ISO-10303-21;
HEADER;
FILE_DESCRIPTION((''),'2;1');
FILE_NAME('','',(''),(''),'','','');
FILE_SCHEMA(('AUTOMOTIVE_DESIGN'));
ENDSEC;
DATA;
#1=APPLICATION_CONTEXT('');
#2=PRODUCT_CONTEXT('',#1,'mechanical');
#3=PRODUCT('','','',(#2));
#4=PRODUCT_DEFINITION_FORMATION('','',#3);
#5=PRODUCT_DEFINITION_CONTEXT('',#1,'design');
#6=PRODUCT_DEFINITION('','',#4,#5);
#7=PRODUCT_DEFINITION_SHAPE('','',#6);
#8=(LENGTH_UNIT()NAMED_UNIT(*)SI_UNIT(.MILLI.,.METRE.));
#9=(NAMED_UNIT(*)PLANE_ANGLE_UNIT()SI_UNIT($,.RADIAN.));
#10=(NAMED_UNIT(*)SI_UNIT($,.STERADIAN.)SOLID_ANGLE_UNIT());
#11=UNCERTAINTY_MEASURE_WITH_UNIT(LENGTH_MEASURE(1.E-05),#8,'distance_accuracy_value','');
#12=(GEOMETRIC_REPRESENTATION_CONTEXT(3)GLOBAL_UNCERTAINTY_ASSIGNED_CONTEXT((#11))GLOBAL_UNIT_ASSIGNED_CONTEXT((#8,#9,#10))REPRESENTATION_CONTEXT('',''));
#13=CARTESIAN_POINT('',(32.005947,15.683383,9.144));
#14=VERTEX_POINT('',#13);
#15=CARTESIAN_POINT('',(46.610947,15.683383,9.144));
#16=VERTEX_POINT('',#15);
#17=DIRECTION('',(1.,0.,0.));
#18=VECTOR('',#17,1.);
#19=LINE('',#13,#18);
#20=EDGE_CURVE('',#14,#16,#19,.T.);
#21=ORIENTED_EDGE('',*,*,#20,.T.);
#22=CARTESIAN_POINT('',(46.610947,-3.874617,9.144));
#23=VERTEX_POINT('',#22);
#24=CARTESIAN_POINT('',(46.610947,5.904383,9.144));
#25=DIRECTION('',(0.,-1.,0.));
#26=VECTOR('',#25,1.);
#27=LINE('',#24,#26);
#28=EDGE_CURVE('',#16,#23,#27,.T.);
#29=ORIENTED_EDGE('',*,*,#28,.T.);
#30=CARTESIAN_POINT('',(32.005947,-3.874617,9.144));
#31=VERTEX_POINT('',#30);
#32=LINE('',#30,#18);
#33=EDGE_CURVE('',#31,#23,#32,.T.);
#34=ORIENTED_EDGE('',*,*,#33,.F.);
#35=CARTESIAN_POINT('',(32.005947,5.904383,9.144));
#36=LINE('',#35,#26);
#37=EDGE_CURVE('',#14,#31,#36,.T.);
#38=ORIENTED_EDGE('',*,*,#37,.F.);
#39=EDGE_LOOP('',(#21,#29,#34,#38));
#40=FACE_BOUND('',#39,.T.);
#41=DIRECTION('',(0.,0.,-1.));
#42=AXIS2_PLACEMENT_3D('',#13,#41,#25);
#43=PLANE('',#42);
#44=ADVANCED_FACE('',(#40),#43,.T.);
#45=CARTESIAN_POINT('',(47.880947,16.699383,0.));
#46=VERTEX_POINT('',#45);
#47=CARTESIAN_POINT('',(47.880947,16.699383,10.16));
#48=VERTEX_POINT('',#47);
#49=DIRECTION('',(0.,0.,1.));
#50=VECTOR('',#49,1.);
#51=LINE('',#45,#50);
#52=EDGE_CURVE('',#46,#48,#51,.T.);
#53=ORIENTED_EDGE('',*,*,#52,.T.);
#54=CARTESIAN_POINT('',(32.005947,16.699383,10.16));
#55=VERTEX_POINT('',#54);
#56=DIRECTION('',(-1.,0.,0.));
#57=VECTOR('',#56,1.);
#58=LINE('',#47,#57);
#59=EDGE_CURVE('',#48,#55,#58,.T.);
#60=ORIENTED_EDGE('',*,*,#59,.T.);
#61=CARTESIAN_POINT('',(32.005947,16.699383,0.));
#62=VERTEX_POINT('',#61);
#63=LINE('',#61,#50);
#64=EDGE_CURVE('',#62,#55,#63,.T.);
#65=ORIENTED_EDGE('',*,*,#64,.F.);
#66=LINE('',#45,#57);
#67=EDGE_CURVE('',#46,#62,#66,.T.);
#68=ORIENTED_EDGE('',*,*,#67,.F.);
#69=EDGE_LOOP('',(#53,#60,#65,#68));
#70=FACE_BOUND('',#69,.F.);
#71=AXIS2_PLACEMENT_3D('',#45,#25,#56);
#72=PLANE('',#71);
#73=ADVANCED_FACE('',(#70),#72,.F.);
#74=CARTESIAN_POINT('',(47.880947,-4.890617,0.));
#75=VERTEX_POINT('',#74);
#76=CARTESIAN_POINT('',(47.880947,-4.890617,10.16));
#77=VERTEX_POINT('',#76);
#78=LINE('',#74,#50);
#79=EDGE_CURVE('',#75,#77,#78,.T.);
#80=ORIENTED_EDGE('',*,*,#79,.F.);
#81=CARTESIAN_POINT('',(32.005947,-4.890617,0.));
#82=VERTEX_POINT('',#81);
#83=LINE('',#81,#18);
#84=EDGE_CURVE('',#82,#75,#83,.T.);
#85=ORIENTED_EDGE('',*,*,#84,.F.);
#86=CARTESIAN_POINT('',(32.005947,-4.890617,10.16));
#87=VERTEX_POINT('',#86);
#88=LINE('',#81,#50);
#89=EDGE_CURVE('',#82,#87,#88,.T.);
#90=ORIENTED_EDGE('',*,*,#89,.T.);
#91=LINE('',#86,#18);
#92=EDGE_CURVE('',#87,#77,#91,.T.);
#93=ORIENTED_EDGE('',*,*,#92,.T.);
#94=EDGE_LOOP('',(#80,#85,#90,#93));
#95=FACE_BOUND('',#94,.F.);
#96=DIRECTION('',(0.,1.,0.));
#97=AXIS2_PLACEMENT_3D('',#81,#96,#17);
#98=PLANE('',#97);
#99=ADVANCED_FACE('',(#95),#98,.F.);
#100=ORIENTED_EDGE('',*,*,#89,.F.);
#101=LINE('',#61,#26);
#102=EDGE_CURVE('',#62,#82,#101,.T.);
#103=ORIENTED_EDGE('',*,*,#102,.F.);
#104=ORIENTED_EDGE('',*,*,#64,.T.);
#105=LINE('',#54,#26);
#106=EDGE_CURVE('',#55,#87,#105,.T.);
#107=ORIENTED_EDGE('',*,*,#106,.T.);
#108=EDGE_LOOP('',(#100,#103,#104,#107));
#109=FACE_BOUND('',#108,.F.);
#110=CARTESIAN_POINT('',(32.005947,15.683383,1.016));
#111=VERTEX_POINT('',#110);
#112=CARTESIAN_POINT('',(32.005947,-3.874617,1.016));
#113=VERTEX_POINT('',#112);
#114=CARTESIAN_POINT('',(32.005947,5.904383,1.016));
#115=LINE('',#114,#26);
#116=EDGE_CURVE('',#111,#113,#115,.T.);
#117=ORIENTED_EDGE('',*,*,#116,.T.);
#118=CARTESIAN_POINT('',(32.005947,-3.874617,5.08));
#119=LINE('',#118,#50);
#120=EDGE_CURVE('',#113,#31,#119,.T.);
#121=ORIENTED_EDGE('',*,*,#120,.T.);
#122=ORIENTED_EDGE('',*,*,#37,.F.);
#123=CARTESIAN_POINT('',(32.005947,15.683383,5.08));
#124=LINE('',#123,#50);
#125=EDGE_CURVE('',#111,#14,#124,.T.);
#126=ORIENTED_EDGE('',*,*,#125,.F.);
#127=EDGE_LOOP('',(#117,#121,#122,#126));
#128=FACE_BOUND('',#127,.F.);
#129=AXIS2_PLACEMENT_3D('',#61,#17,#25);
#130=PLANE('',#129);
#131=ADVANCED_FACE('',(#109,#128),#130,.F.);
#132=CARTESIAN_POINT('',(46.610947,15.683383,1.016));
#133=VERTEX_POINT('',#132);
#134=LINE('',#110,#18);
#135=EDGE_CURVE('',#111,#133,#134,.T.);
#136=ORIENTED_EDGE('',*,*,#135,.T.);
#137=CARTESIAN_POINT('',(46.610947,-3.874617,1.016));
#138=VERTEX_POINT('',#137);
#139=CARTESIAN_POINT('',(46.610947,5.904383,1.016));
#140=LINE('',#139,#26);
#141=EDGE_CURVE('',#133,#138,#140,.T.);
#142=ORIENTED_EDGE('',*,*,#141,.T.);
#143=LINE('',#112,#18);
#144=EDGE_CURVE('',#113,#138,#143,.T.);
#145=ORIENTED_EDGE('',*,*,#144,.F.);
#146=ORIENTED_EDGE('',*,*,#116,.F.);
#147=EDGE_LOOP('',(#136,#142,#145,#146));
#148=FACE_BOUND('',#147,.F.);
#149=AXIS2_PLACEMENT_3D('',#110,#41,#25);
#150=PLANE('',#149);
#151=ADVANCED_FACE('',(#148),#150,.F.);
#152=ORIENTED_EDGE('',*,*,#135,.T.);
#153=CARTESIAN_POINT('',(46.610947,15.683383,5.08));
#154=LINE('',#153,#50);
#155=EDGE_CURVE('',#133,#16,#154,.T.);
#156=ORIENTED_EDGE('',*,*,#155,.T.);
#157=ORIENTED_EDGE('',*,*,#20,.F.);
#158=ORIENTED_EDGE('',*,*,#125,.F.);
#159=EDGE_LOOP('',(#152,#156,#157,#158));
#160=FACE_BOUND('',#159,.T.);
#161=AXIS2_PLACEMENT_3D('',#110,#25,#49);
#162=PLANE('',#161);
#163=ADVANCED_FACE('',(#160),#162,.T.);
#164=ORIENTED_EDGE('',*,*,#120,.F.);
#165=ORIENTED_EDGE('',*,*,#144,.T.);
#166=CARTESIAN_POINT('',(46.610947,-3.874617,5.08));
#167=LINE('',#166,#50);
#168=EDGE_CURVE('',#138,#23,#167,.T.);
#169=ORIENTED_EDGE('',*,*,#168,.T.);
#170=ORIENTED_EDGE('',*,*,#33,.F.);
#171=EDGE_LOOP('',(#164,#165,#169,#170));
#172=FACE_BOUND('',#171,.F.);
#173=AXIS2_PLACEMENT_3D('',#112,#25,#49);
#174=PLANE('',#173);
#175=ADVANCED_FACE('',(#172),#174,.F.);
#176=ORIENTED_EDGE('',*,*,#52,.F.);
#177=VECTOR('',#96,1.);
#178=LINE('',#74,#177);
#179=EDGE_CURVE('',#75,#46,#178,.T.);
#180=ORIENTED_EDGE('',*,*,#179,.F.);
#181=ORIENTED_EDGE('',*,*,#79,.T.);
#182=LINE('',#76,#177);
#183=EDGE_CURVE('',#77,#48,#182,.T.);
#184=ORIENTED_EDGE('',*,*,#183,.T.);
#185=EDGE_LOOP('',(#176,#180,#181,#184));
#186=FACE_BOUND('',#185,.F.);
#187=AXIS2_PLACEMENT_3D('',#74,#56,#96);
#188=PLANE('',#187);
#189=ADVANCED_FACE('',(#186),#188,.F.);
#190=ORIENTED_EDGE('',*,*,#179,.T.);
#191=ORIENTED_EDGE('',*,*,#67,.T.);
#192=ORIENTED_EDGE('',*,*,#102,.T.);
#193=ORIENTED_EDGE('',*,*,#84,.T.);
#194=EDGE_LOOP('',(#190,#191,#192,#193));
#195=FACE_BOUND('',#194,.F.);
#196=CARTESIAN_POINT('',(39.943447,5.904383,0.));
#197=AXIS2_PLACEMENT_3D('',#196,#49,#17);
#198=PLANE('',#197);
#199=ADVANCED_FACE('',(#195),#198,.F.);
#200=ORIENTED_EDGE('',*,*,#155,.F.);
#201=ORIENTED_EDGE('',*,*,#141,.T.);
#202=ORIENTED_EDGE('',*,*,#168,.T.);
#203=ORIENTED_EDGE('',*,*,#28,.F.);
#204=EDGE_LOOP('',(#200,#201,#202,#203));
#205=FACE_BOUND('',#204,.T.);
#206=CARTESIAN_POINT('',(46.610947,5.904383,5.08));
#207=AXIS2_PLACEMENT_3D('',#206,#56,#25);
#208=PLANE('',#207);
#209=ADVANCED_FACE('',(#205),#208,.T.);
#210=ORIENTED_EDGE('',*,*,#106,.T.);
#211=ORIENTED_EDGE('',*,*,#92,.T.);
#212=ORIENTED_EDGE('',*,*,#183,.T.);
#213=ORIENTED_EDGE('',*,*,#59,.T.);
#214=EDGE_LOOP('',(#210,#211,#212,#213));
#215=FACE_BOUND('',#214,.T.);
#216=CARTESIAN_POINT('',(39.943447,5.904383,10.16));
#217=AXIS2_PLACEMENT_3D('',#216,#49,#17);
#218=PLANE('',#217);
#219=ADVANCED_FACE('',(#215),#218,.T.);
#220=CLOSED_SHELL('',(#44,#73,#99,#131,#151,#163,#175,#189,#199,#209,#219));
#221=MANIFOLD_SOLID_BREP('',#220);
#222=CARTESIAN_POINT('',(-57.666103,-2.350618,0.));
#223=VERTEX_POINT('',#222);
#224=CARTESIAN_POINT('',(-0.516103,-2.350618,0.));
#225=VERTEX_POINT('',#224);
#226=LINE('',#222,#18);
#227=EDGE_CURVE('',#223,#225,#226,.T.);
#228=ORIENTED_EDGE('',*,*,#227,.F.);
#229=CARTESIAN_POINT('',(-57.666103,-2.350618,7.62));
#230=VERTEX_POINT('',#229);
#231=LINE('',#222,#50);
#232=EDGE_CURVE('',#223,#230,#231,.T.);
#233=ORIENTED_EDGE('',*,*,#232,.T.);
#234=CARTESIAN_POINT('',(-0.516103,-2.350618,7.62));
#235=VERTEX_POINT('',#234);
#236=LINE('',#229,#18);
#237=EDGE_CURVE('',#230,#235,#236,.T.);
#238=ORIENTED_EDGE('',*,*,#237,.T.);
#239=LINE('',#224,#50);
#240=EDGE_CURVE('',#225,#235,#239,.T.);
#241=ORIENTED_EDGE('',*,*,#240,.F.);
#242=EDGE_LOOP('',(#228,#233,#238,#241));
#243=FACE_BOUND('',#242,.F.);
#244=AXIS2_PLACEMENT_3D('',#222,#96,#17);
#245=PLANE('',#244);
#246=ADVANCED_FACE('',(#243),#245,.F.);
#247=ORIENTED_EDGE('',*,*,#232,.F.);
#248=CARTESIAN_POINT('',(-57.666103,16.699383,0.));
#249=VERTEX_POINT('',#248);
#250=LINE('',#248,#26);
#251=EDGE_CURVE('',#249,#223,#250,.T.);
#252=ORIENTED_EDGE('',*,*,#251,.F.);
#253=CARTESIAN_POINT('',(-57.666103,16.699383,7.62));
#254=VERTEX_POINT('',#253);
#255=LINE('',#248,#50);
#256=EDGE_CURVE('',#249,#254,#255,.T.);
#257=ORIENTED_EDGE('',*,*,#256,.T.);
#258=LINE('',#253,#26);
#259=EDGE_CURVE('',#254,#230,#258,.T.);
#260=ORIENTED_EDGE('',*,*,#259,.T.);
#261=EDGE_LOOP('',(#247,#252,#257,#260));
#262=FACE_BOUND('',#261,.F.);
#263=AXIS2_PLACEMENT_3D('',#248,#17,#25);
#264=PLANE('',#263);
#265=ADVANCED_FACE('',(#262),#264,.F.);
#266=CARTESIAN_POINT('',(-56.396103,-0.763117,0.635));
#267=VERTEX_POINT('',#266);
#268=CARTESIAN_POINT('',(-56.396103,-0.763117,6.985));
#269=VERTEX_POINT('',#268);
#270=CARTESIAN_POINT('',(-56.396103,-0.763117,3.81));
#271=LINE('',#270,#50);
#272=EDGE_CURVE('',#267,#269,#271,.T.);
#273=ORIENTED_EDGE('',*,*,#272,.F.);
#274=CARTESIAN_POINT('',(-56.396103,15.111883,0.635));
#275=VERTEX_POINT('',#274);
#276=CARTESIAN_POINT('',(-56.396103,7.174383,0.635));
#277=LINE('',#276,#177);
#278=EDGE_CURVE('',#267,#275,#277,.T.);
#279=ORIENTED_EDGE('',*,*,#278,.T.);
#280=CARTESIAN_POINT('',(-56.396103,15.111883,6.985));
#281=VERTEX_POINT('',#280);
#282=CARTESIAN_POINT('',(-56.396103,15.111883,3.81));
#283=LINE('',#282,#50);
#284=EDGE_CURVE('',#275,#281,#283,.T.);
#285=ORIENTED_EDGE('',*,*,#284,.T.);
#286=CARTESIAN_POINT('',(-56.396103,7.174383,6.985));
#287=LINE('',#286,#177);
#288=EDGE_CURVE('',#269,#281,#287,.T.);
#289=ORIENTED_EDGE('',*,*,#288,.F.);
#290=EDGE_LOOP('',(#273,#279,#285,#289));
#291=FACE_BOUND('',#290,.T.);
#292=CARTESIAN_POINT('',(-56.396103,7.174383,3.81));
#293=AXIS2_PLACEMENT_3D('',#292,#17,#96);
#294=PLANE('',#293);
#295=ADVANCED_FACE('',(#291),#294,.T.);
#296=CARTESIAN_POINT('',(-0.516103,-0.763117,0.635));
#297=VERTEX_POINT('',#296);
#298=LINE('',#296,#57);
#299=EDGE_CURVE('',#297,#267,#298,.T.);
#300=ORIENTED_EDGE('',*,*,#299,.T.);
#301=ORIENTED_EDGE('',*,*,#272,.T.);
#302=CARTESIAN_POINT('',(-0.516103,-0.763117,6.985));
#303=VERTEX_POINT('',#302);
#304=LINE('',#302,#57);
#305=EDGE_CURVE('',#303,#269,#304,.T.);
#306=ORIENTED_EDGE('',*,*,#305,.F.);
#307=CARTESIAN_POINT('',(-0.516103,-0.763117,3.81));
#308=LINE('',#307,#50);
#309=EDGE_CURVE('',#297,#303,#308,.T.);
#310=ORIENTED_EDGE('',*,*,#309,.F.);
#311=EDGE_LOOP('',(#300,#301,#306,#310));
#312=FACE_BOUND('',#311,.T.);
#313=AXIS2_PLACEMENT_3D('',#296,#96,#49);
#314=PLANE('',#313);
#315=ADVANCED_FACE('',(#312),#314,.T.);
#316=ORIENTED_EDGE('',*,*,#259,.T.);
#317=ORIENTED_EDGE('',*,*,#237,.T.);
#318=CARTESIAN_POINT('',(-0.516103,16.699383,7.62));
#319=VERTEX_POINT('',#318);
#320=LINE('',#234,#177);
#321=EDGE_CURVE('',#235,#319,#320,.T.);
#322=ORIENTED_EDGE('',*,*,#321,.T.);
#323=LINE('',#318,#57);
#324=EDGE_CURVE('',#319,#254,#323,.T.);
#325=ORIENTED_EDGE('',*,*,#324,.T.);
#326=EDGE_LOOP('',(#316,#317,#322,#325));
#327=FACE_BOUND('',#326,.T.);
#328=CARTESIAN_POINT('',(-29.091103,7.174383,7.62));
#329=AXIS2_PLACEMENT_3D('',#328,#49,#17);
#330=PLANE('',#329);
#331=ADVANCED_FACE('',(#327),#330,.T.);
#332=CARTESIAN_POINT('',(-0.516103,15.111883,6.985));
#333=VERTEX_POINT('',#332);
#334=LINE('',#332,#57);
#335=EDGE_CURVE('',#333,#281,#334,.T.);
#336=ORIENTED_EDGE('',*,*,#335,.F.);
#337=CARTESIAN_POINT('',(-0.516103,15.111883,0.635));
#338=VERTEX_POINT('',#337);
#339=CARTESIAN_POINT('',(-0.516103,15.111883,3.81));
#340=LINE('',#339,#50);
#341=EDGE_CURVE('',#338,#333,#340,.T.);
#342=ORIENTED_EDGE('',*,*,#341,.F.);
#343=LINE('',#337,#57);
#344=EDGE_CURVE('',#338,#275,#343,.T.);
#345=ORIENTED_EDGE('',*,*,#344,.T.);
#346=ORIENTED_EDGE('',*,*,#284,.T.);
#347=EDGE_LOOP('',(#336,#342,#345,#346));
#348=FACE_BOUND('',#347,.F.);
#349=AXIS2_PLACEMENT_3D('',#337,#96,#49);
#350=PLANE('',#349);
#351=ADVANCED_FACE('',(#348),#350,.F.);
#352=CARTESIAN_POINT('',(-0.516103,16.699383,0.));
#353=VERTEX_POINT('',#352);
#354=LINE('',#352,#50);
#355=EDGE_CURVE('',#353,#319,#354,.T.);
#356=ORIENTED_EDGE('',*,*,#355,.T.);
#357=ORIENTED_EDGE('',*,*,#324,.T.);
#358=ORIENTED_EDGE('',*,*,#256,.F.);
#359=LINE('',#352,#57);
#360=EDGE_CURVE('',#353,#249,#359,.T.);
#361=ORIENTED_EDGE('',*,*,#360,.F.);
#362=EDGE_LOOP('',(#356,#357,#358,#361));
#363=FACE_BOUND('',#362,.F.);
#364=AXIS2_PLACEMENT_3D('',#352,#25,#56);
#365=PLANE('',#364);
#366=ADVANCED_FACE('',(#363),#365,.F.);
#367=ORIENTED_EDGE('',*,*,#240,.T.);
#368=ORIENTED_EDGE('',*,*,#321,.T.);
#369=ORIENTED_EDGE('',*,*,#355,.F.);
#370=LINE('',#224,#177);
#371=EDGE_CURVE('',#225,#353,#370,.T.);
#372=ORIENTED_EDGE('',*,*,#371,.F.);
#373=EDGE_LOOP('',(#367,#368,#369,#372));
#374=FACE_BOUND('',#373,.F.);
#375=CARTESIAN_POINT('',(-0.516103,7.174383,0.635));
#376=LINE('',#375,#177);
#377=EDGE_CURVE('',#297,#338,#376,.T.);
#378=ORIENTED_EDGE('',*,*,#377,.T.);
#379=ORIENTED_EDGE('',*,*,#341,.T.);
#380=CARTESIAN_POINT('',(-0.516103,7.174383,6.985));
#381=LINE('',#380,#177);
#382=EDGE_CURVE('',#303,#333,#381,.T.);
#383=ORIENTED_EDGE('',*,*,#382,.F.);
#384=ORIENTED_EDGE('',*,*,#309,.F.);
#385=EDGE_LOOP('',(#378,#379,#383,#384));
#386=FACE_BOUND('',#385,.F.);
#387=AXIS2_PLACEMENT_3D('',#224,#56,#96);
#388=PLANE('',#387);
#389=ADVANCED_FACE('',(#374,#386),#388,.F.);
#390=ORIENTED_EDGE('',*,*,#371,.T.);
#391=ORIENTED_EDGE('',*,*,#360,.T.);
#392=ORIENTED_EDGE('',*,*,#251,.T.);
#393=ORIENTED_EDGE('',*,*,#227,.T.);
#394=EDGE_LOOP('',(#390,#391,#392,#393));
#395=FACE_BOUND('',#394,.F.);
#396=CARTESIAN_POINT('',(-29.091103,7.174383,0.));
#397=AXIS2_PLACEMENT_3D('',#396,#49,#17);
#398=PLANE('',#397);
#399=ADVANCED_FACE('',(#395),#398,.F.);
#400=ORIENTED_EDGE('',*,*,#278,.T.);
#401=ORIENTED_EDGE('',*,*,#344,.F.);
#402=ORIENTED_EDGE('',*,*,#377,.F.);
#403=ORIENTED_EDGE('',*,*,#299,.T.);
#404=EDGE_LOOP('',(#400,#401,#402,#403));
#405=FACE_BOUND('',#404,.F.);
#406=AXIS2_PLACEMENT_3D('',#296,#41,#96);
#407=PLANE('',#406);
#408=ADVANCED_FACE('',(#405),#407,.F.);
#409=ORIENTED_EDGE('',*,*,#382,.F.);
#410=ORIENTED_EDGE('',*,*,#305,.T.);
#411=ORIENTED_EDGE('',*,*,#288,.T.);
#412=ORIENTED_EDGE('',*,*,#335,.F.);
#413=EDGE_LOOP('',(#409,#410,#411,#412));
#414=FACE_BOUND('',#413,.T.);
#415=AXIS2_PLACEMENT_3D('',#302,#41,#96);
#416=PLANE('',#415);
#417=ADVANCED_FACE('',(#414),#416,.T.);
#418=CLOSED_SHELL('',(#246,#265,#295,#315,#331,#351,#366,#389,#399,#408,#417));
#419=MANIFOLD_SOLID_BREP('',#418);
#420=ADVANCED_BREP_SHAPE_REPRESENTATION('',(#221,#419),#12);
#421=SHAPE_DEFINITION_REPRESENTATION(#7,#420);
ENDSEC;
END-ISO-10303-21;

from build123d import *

# Parameters (mm, degrees)
F1_DEPTH = 7.62
F2_DEPTH = 10.16
F3_W     = 15.875
F3_H     = 6.35
F5_DEPTH = 55.88
F4_W     = 19.558
F4_H     = 8.128
F6_DEPTH = 14.605


with BuildPart() as f1:
    # F0 (on Top) → F1 (new body)
    with BuildSketch(Plane.XY):
        Polygon((-0.516103, 16.699383), (-57.666103, 16.699383), (-57.666103, 7.174383), (-57.666103, -2.350618), (-0.516103, -2.350618), align=None)
    extrude(amount=F1_DEPTH)

    # F3 (on face) → F5 (cut)
    with BuildSketch(Plane.YZ.offset(-0.516103)):
        with Locations((7.174383, 3.81)):
            Rectangle(F3_W, F3_H)
    extrude(amount=-F5_DEPTH, mode=Mode.SUBTRACT)


with BuildPart() as f2:
    # F0 (on Top) → F2 (new body)
    with BuildSketch(Plane.XY):
        Polygon((47.880947, -4.890617), (47.880947, 5.904383), (47.880947, 16.699383), (32.005947, 16.699383), (32.005947, -4.890617), align=None)
    extrude(amount=F2_DEPTH)

    # F4 (on face) → F6 (cut)
    with BuildSketch(Plane(origin=(32.005947, 0, 0), x_dir=(0, -1, 0), z_dir=(-1, 0, 0))):
        with Locations((-5.904383, 5.08)):
            Rectangle(F4_W, F4_H)
    extrude(amount=-F6_DEPTH, mode=Mode.SUBTRACT)


solid = Compound([f1.part, f2.part])
